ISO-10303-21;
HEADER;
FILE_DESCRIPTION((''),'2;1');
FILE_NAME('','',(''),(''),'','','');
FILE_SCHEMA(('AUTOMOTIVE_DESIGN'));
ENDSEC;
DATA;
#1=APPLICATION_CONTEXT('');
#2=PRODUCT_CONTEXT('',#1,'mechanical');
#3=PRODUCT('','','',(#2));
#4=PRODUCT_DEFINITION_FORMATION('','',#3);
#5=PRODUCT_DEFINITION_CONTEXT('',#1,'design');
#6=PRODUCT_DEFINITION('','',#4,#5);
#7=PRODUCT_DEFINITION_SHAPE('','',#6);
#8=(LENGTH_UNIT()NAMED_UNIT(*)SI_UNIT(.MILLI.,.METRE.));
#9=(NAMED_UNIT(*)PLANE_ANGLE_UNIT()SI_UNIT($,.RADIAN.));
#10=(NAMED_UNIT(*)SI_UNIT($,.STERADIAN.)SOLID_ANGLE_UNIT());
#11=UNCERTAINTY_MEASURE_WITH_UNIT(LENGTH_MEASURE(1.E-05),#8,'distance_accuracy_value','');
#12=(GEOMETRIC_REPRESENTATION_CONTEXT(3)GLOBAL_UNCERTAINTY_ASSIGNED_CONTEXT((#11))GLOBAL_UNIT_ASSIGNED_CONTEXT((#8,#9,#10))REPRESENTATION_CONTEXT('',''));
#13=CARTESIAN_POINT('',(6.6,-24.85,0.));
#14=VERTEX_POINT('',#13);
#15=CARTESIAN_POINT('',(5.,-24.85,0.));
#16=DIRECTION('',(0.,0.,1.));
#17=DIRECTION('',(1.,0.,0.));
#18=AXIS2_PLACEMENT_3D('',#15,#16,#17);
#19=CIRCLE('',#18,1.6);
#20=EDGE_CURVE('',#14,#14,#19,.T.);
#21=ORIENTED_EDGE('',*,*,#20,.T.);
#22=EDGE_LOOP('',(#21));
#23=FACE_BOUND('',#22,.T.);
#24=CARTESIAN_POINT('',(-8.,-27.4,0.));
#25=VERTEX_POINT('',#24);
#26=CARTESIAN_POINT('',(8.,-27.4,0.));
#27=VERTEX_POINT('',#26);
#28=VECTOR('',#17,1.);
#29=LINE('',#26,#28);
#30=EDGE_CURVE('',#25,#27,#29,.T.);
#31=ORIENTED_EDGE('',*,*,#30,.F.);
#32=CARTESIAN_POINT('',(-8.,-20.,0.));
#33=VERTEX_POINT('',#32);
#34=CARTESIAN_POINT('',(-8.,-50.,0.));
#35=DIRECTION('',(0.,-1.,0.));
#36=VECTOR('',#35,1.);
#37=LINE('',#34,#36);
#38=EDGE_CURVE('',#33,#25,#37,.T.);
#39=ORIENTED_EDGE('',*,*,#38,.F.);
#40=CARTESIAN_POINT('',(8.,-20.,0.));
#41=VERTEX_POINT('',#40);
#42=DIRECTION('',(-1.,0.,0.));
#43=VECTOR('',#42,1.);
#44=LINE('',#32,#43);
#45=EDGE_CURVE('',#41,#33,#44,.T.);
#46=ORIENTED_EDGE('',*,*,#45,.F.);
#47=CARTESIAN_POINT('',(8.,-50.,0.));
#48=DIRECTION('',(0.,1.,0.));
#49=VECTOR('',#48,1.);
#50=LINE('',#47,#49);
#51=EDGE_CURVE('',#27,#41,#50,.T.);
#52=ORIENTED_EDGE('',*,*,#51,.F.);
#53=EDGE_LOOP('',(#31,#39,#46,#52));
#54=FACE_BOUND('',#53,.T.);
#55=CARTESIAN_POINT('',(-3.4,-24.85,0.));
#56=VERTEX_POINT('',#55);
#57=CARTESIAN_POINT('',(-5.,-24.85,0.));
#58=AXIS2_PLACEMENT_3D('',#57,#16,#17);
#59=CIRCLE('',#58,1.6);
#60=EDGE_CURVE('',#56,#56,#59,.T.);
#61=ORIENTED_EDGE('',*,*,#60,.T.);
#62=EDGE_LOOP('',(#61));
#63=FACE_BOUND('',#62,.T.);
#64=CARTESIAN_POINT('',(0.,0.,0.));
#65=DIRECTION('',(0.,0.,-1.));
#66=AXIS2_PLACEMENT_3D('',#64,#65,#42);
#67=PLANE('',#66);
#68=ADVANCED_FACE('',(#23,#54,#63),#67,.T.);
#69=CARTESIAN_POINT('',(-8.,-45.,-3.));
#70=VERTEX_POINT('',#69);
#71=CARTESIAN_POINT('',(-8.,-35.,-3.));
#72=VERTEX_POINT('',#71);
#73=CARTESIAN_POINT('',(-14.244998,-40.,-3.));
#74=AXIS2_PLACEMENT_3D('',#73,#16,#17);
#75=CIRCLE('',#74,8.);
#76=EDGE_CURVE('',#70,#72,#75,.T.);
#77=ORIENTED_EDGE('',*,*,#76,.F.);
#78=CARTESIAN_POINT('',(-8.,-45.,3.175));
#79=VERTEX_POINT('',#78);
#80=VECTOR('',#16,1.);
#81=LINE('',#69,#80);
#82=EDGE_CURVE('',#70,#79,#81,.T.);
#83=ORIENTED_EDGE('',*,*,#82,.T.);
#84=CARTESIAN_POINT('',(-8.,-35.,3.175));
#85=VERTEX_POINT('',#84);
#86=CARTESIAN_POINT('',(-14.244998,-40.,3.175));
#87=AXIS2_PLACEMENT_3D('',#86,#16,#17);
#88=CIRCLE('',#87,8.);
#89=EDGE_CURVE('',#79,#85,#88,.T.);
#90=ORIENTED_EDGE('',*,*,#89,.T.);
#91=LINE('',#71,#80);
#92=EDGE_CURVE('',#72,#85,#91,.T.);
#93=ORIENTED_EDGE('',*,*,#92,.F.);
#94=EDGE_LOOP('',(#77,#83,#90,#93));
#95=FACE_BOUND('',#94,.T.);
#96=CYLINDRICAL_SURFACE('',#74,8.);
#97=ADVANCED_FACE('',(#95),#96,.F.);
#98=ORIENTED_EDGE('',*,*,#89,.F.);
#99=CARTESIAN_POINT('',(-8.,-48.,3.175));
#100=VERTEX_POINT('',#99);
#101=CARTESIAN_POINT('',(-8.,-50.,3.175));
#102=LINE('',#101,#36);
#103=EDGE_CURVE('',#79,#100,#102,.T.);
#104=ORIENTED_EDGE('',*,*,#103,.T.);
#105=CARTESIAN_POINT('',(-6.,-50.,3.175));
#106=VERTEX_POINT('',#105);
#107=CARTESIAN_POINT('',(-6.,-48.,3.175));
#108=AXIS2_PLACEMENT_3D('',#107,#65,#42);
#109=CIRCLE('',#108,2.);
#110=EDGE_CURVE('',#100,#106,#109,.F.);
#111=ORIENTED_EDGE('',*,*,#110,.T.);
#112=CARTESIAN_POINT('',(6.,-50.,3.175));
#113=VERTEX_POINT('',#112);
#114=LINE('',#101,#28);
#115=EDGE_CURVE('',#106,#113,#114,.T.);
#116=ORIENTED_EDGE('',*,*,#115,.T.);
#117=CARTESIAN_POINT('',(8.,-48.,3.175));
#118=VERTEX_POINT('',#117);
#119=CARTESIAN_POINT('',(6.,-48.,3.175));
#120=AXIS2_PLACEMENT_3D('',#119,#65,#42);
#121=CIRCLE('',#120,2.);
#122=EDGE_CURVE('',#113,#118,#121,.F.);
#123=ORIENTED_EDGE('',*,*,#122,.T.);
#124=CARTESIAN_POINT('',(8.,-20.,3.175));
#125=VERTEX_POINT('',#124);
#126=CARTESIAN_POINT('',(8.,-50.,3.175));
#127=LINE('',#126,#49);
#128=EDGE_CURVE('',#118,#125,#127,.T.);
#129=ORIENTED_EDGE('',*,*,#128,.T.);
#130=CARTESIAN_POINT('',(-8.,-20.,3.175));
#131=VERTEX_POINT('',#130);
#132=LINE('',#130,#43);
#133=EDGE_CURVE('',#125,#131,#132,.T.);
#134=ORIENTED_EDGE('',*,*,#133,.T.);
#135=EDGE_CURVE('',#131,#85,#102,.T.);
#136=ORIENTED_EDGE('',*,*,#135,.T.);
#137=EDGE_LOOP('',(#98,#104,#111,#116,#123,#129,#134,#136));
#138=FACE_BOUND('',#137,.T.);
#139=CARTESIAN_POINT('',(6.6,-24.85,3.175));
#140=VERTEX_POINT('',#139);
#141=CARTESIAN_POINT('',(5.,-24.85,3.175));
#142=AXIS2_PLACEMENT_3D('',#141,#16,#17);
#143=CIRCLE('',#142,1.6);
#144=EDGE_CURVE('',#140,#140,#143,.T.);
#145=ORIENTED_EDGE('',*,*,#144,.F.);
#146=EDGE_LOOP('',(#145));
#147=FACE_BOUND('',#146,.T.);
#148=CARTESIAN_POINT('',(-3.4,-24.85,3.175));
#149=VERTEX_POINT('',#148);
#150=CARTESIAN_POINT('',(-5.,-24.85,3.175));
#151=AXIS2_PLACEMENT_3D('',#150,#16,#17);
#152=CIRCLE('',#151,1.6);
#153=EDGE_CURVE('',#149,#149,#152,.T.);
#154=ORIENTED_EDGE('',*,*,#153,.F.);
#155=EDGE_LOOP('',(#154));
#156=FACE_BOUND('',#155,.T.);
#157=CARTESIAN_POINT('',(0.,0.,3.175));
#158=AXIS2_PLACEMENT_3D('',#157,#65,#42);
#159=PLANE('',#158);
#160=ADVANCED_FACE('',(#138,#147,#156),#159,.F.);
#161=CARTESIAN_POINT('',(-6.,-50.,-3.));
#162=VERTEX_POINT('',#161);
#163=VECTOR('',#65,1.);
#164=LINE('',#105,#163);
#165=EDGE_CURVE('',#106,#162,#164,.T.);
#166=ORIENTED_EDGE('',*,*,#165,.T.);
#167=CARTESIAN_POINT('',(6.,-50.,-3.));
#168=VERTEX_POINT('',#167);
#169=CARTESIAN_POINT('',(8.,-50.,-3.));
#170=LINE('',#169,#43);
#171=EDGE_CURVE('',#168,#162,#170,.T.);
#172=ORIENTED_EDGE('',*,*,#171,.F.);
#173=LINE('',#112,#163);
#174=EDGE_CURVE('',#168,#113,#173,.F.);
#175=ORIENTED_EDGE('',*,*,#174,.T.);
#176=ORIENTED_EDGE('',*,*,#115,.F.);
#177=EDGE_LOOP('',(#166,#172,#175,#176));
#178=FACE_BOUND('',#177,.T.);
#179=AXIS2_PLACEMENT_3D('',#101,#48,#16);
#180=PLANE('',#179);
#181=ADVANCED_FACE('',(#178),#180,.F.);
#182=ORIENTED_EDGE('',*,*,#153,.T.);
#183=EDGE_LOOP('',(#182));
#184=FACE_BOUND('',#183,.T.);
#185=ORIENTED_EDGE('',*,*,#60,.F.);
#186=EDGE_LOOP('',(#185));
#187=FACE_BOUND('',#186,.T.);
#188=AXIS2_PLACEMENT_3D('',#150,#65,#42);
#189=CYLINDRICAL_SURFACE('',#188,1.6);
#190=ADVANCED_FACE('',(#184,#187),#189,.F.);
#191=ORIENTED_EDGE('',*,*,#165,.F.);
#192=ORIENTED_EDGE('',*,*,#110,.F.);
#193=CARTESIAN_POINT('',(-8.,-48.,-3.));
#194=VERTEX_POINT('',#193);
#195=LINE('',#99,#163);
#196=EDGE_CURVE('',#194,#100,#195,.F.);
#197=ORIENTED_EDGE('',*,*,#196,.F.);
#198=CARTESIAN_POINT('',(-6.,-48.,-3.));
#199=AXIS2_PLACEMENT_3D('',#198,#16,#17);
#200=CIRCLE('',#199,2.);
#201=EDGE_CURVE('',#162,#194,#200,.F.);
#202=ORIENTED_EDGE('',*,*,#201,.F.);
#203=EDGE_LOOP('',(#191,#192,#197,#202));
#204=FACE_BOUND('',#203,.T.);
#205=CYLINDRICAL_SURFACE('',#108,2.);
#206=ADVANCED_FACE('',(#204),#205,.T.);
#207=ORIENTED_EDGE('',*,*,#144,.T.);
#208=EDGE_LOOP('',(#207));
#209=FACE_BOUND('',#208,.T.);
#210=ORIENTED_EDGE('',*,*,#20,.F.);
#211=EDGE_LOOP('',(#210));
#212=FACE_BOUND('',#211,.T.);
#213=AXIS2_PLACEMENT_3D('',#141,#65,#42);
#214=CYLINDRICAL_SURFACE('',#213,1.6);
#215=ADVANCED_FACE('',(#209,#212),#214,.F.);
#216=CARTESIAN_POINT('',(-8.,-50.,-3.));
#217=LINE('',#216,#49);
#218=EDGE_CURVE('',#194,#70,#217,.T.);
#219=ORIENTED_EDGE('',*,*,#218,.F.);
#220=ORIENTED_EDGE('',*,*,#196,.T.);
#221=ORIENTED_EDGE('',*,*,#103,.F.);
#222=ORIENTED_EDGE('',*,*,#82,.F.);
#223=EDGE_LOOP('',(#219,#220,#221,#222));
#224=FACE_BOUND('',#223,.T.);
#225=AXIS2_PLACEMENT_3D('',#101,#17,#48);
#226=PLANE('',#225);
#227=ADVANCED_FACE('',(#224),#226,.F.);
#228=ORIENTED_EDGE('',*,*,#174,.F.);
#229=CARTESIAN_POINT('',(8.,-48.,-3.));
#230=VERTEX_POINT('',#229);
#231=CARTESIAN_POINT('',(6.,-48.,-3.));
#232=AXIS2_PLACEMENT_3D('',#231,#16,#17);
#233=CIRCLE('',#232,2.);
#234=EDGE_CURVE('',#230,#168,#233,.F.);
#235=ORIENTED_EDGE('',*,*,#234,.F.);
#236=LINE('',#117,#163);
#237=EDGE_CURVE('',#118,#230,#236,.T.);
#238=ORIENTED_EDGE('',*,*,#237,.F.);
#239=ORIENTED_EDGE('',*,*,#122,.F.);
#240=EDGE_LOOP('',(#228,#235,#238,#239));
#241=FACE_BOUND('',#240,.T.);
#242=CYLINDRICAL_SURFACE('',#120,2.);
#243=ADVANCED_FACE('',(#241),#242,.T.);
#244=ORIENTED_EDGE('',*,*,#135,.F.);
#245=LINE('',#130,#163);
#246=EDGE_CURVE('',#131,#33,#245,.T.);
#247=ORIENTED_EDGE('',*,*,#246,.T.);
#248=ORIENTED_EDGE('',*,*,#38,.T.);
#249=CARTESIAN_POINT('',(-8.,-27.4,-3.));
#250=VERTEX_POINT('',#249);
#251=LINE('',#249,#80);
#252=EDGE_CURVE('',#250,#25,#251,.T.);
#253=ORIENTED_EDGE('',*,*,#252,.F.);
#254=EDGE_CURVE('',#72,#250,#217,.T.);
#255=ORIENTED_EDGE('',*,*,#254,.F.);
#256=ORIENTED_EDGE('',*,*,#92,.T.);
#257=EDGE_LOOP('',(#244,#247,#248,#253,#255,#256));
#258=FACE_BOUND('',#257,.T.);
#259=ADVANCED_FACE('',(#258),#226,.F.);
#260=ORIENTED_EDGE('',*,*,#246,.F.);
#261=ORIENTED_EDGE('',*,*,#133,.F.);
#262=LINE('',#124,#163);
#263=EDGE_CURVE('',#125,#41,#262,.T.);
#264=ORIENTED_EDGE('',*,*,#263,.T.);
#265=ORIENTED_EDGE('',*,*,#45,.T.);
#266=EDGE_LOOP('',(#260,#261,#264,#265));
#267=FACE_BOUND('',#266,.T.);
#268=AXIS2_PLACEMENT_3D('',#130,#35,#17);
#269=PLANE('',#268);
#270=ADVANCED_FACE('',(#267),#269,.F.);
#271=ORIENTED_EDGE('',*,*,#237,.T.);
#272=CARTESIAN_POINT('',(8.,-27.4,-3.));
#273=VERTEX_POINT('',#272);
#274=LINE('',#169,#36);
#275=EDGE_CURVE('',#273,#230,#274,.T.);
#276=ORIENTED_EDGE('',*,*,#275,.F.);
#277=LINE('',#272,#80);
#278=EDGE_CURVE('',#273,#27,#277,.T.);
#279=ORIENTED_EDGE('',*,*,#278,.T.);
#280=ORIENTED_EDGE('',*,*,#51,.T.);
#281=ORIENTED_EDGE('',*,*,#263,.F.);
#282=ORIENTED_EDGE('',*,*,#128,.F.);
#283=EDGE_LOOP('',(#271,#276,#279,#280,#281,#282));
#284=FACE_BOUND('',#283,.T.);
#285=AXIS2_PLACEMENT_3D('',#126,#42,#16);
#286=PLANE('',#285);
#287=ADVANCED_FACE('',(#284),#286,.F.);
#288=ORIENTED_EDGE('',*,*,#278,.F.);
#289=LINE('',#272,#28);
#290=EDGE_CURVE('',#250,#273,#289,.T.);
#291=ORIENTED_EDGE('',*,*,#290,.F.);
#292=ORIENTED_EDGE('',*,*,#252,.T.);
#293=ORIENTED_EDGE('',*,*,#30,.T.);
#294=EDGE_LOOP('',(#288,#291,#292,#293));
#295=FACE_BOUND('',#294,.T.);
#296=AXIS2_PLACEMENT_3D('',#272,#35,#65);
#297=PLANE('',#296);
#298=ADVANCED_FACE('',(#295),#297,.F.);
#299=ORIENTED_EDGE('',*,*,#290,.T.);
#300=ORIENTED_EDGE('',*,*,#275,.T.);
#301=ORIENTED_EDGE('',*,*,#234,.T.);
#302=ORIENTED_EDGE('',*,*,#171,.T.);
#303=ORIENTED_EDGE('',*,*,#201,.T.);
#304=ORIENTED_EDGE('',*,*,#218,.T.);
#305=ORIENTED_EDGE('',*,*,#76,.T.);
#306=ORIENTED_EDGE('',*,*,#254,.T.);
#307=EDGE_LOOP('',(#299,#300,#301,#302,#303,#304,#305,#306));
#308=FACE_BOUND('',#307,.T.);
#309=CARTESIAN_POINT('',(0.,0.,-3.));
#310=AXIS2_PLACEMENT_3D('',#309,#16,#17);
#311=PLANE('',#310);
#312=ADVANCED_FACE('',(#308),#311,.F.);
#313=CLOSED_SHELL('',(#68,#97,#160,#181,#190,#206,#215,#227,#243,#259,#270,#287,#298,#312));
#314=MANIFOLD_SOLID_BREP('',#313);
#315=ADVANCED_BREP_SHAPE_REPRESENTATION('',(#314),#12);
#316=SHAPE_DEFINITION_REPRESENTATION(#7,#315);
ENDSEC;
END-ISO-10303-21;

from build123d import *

# Parameters (mm, degrees)
SKETCH1_W           = 16
SKETCH1_H           = 30
SKETCH1_R           = 1.6
BOSS_EXTRUDE1_DEPTH = 3.175
SKETCH3_W           = 16
SKETCH3_H           = 22.6
BOSS_EXTRUDE2_DEPTH = 3
FILLET1_R           = 2
CUT_EXTRUDE1_DEPTH  = 52.011083355


with BuildPart() as part:
    # Sketch1 → Boss-Extrude1 (new body)
    with BuildSketch(Plane.XY):
        with Locations((0, -35)):
            Rectangle(SKETCH1_W, SKETCH1_H)
        with Locations((5, -24.85)):
            Circle(SKETCH1_R, mode=Mode.SUBTRACT)
        with Locations((-5, -24.85)):
            Circle(SKETCH1_R, mode=Mode.SUBTRACT)
    extrude(amount=BOSS_EXTRUDE1_DEPTH)

    # Sketch3 → Boss-Extrude2 (add)
    with BuildSketch(Plane(origin=(0, 0, 0), x_dir=(-1, 0, 0), z_dir=(0, 0, -1))):
        with Locations((0, -38.7)):
            Rectangle(SKETCH3_W, SKETCH3_H)
    extrude(amount=BOSS_EXTRUDE2_DEPTH)

    # Fillet1
    fillet1_edges = [part.edges().sort_by_distance(p)[0] for p in [
        (8, -50, 0.0875),
        (-8, -50, 0.0875),
    ]]
    fillet(fillet1_edges, radius=FILLET1_R)

    # Sketch4 → Cut-Extrude1 (cut, through all)
    with BuildSketch(Plane.XY.offset(3.175)):
        with BuildLine():
            Line((-8, -45), (-8, -35))
            ThreePointArc((-8, -35), (-6.244997998, -40), (-8, -45))
        make_face()
    extrude(amount=-CUT_EXTRUDE1_DEPTH, mode=Mode.SUBTRACT)


solid = part.part
